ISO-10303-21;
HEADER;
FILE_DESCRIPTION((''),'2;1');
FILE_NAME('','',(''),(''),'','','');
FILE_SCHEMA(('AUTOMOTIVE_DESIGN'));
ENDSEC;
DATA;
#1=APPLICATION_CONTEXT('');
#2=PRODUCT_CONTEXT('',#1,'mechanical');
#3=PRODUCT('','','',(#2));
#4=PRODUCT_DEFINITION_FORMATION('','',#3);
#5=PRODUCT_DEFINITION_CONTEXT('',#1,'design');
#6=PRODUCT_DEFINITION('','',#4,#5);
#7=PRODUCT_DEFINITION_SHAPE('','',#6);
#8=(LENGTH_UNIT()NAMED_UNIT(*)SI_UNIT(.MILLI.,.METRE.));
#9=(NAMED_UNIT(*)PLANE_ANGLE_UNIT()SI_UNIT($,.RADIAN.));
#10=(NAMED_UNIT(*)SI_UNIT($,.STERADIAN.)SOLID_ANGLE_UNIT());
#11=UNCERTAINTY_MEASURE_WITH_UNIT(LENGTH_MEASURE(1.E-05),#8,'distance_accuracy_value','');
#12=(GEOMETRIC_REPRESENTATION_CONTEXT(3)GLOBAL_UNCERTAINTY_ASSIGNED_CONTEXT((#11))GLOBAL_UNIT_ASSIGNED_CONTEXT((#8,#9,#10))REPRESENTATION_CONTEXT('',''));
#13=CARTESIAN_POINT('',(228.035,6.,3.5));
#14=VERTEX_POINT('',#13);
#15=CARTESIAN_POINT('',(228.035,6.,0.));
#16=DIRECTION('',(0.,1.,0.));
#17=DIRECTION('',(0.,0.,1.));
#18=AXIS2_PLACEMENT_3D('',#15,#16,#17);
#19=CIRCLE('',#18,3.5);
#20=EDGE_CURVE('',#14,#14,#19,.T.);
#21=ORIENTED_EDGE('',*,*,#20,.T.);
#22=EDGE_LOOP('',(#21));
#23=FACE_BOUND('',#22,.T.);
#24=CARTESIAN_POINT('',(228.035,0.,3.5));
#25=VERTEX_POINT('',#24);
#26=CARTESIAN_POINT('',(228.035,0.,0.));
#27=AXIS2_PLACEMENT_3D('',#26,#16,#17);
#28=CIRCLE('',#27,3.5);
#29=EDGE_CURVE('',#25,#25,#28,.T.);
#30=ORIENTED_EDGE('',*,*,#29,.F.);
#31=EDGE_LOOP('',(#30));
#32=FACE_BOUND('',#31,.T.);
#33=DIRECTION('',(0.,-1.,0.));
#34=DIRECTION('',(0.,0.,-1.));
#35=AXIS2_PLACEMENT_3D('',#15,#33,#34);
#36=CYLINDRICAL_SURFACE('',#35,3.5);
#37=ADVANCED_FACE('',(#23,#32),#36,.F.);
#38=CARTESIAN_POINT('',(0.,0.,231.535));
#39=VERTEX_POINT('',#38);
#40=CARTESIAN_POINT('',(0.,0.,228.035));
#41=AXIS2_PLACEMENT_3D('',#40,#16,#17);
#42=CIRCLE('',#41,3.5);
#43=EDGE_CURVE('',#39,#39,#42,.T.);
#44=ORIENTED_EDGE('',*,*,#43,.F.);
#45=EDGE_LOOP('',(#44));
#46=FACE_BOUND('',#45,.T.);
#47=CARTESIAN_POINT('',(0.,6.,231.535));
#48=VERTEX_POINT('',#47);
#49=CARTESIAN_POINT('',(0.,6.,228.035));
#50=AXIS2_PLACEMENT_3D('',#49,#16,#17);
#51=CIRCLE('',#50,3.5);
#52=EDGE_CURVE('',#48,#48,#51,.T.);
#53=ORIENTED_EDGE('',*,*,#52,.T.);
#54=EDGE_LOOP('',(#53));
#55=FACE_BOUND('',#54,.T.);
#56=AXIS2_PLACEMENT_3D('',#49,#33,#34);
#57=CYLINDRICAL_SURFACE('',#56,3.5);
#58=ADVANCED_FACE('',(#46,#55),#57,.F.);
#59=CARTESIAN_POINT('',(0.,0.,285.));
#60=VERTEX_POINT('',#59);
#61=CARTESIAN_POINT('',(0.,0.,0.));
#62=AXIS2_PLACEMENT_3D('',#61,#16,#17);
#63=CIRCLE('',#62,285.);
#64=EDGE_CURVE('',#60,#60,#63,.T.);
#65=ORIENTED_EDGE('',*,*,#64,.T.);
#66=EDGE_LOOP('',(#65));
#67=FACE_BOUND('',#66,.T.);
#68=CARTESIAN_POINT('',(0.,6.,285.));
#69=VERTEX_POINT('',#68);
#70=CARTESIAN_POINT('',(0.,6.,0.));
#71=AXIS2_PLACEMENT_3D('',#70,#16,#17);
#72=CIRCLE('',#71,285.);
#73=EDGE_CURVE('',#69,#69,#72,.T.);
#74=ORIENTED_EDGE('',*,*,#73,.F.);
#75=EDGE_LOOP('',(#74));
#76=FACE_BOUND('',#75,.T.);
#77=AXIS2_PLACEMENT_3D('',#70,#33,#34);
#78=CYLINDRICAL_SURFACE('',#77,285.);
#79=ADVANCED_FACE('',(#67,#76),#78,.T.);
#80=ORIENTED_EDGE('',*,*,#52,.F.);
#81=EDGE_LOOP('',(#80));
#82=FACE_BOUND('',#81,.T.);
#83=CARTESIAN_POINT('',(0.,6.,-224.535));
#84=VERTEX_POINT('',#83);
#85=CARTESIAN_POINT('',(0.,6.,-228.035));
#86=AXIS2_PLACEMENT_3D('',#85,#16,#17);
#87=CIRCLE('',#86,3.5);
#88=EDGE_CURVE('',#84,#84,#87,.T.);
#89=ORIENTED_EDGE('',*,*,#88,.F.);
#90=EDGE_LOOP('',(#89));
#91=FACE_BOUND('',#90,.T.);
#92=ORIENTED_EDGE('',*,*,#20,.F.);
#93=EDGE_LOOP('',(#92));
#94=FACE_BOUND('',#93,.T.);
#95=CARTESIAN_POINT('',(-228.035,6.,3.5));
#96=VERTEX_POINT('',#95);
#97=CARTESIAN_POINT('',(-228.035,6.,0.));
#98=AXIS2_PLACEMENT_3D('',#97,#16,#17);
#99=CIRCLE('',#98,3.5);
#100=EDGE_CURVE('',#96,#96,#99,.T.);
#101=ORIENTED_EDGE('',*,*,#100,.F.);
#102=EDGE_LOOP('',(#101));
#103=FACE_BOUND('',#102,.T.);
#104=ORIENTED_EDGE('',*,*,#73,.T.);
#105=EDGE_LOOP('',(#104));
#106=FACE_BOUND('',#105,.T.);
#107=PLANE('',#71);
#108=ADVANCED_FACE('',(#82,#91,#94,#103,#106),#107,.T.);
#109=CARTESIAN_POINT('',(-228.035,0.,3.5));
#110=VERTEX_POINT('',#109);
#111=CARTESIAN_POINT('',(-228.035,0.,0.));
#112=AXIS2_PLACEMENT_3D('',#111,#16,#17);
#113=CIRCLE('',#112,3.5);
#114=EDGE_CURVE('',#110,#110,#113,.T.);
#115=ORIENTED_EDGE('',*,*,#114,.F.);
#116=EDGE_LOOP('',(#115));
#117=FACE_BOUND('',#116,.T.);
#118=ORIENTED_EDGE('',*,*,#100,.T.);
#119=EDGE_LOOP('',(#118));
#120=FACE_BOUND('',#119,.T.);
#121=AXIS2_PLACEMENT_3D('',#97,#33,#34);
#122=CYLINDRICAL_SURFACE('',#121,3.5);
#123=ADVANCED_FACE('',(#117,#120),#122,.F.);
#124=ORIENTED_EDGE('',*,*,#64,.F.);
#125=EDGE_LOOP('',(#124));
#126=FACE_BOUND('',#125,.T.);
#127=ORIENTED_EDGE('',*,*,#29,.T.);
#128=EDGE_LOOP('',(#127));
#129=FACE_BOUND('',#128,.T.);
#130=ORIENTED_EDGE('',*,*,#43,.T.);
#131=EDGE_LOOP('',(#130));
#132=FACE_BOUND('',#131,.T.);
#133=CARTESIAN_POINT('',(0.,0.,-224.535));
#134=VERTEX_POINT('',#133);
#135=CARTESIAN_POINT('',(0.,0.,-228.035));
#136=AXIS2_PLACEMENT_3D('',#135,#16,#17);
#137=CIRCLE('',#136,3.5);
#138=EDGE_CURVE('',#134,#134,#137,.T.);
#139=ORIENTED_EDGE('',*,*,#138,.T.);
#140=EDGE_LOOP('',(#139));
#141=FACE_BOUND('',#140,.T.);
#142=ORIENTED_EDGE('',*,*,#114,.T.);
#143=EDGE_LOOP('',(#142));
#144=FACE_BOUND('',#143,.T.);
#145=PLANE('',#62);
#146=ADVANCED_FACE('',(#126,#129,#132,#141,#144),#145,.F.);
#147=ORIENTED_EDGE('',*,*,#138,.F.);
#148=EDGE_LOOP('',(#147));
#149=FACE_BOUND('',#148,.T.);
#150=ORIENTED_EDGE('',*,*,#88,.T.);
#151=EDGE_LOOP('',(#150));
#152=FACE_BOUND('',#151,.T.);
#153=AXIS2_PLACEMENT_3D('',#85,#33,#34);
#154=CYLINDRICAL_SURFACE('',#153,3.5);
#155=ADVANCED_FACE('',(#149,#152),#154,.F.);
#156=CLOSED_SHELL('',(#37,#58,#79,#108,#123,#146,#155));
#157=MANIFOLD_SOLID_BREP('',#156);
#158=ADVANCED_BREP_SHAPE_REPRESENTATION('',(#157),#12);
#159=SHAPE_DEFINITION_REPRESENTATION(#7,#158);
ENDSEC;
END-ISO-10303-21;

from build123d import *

# Parameters (mm, degrees)
TAPA_R                  = 285
SALIENTE_EXTRUIR1_DEPTH = 6
CROQUIS2_R              = 3.5
CORTAR_EXTRUIR4_DEPTH   = 7


with BuildPart() as part:
    # Tapa → Saliente-Extruir1 (new body)
    with BuildSketch(Plane(origin=(0, 0, 0), x_dir=(1, 0, 0), z_dir=(0, 1, 0))):
        Circle(TAPA_R)
    extrude(amount=SALIENTE_EXTRUIR1_DEPTH)

    # Croquis2 → Cortar-Extruir4 (cut, through all)
    with BuildSketch(Plane(origin=(0, 0, 0), x_dir=(1, 0, 0), z_dir=(0, 1, 0))):
        with Locations((228.035, 0)):
            Circle(CROQUIS2_R)
        with Locations((0, -228.035)):
            Circle(CROQUIS2_R)
        with Locations((-228.035, 0)):
            Circle(CROQUIS2_R)
        with Locations((0, 228.035)):
            Circle(CROQUIS2_R)
    extrude(amount=CORTAR_EXTRUIR4_DEPTH, mode=Mode.SUBTRACT)


solid = part.part
